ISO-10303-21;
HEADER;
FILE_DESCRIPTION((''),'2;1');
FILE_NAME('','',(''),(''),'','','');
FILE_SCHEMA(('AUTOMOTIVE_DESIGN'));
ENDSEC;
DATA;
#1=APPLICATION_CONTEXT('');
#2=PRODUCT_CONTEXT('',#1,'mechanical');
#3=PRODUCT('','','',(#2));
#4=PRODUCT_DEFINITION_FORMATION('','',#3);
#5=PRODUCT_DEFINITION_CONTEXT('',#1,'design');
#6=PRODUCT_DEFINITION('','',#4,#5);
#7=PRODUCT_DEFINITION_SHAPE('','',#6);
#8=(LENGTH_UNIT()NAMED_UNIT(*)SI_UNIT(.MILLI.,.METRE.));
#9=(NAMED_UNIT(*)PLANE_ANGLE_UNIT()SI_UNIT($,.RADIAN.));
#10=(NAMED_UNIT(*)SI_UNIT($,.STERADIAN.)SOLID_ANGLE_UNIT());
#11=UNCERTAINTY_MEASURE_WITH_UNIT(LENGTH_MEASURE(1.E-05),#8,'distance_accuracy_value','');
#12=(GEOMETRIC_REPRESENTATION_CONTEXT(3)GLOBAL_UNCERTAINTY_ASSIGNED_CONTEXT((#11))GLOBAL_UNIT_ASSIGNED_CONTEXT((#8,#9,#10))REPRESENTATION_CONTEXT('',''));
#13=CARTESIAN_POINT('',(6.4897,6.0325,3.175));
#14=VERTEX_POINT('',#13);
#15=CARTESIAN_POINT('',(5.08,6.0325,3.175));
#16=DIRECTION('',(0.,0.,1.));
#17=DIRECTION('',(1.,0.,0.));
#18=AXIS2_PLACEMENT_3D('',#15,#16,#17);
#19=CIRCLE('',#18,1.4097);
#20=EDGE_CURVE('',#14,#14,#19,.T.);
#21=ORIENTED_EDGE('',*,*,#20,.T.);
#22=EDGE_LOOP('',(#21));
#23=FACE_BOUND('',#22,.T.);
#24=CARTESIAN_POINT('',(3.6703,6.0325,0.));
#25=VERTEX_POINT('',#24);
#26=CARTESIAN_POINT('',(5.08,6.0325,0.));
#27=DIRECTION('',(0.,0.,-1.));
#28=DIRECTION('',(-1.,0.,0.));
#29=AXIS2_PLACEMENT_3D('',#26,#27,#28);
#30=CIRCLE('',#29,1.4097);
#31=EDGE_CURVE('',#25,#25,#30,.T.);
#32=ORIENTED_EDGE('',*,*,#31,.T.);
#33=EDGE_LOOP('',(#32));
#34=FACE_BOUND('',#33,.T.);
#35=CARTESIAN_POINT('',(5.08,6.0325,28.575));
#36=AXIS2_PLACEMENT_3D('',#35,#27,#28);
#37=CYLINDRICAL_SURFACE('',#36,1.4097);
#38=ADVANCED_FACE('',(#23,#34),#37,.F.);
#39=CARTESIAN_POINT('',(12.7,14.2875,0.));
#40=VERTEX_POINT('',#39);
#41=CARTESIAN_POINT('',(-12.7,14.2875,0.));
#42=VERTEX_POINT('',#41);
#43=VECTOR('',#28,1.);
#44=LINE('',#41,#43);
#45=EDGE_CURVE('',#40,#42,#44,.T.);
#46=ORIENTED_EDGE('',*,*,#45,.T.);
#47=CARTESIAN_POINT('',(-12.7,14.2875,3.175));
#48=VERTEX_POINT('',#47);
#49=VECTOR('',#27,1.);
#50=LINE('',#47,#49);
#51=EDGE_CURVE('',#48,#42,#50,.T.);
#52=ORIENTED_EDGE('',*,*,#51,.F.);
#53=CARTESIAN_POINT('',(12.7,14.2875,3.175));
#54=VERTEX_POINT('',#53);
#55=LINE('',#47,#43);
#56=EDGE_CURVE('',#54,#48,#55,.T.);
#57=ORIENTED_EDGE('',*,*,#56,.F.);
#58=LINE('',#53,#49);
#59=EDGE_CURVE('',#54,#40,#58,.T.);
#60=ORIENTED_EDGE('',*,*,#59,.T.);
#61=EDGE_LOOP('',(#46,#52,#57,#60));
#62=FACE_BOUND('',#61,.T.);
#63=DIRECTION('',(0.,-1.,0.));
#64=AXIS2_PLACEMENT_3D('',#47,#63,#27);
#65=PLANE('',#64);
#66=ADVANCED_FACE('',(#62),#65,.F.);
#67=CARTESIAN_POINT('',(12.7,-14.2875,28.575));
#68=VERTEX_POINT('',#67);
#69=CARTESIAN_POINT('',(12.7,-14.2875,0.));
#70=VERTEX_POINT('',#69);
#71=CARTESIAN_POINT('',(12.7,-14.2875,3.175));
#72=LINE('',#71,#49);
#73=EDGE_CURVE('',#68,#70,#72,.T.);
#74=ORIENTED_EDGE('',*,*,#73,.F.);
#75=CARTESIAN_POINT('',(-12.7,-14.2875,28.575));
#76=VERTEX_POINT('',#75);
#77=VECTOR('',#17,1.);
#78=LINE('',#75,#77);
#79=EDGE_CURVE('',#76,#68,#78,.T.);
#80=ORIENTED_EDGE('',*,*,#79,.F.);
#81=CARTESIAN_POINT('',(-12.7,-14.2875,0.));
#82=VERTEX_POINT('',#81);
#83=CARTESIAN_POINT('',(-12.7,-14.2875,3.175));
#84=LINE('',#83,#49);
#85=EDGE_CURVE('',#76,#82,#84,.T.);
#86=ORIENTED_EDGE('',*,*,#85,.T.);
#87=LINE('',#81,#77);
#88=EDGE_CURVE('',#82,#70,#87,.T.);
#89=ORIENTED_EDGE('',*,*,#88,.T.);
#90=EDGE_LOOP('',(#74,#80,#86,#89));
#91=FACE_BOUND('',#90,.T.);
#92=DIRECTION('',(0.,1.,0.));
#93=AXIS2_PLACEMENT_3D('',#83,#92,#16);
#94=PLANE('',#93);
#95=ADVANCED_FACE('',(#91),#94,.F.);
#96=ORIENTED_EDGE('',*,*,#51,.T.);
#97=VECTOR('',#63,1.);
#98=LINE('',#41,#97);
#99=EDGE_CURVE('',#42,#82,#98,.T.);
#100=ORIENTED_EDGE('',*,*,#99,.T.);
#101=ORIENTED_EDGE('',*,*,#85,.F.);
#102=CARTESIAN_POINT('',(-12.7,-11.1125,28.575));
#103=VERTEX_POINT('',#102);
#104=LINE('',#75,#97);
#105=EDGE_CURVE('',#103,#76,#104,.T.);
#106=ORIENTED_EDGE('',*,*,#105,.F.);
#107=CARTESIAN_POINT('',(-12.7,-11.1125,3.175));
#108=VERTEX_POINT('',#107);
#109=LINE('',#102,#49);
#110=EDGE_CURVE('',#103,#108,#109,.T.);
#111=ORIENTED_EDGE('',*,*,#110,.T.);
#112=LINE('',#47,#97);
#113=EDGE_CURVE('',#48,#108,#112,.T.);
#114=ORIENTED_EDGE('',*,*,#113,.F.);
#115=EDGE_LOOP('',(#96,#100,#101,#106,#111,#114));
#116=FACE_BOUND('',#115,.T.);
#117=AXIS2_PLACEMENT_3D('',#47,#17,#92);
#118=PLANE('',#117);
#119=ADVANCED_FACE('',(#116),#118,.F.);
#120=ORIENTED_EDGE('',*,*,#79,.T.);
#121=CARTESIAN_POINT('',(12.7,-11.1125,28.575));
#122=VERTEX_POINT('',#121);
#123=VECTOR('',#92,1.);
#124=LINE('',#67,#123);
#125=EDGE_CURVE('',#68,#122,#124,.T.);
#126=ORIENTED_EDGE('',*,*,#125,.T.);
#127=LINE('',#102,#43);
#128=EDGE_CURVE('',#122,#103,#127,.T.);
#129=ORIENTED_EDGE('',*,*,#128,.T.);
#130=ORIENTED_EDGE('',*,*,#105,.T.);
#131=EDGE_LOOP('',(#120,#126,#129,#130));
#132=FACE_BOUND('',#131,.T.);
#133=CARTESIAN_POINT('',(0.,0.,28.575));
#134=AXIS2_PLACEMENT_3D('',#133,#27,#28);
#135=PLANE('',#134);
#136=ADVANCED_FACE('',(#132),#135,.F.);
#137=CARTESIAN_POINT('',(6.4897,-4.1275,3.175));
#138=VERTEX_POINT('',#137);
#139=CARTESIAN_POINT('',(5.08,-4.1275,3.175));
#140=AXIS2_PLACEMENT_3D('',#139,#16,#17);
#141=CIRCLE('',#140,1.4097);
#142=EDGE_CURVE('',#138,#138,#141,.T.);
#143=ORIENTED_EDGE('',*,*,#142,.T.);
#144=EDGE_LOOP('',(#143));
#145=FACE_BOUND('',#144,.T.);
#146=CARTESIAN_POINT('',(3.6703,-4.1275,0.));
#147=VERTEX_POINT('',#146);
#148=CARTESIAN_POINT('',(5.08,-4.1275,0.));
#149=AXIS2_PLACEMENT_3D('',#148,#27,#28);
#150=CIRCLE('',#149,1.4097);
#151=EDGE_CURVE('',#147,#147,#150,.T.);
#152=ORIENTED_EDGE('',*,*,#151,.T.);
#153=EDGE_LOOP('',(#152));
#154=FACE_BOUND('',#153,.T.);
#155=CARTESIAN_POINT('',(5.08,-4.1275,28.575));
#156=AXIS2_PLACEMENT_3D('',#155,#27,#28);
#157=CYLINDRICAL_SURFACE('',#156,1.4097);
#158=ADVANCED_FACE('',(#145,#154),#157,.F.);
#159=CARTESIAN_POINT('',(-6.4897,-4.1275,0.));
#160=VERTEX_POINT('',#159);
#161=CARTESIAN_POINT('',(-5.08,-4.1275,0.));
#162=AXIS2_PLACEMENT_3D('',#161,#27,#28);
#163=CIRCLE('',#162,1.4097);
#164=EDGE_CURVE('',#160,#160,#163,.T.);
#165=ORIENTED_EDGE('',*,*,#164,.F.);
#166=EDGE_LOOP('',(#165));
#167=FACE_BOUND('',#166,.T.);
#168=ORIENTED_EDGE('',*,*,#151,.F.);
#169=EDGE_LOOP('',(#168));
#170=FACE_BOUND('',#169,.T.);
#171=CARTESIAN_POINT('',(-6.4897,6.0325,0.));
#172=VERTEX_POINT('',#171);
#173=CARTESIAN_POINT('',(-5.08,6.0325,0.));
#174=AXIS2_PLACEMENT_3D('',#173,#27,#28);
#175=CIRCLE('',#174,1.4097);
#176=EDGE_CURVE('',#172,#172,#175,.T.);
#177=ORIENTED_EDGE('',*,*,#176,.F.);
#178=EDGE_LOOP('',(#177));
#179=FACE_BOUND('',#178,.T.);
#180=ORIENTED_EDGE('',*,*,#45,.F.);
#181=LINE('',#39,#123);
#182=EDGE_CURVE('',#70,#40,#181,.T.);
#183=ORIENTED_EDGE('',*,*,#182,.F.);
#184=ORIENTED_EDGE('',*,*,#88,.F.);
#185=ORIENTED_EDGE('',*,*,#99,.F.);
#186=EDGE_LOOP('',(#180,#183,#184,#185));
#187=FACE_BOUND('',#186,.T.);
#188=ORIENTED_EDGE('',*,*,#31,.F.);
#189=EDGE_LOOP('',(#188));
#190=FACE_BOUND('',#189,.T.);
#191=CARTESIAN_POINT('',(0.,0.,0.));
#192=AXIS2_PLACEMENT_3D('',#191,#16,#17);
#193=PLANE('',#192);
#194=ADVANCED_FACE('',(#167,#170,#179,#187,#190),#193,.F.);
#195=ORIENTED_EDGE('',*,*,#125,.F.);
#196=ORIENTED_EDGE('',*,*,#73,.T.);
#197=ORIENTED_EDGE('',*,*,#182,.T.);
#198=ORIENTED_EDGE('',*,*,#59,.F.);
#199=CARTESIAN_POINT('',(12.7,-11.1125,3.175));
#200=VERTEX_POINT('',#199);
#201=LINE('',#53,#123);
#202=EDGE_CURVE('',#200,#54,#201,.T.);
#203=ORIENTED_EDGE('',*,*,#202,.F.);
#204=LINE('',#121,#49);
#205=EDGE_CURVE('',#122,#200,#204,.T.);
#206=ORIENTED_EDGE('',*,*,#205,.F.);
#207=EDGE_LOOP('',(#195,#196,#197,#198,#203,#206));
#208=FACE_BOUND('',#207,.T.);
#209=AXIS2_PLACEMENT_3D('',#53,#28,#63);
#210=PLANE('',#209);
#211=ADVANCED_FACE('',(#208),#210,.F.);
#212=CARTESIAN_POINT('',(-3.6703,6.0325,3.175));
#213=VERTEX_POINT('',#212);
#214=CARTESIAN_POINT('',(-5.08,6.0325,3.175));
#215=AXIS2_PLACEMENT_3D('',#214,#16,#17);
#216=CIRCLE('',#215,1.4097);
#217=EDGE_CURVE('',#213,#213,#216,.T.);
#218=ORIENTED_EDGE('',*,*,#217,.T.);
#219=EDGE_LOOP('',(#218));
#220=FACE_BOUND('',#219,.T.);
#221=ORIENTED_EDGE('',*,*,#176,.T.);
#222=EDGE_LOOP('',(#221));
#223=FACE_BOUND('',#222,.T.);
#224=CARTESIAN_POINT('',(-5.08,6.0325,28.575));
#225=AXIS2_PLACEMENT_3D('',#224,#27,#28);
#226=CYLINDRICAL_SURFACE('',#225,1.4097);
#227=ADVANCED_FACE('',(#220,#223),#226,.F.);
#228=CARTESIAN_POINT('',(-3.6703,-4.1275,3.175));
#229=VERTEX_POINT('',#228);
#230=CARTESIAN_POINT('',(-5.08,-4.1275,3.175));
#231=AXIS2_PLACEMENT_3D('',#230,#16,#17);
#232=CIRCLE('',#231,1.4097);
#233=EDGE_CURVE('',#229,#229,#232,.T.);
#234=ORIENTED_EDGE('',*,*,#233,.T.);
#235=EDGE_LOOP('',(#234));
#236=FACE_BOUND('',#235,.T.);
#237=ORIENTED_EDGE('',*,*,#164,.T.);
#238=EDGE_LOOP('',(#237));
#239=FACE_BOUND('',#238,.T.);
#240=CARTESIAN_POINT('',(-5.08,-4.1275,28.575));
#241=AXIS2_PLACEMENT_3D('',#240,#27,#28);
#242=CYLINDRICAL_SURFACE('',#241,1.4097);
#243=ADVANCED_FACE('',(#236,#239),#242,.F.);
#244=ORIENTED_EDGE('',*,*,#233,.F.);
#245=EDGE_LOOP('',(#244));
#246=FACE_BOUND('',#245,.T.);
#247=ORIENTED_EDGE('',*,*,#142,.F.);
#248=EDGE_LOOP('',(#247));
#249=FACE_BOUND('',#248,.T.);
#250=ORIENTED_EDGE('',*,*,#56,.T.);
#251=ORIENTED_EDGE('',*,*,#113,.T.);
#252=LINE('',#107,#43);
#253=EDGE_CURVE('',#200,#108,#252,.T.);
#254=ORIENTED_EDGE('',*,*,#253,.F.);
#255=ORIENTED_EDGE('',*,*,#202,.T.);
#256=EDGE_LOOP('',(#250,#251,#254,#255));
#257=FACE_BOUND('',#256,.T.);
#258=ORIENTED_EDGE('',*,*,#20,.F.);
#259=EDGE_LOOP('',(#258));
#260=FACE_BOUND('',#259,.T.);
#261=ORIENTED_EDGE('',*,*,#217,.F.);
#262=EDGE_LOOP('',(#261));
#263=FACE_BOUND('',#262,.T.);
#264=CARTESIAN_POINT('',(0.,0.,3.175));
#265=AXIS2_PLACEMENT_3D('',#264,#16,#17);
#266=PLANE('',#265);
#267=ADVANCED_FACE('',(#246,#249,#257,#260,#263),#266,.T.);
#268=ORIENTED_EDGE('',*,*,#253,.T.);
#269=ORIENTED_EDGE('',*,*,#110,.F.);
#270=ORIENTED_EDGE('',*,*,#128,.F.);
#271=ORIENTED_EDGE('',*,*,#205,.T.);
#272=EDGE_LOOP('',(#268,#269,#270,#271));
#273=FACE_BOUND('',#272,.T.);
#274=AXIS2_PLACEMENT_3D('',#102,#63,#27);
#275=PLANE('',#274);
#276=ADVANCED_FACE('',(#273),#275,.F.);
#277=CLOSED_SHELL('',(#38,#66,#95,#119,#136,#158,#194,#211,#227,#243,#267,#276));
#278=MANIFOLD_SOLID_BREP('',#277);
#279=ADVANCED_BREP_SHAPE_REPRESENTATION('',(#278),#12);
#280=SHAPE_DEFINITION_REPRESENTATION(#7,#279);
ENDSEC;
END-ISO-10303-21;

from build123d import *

# Parameters (mm, degrees)
SKETCH1_W            = 25.4
SKETCH1_H            = 28.575
BOSS_EXTRUDE1_DEPTH  = 3.175
SKETCH2_W            = 25.4
SKETCH2_H            = 3.175
BOSS_EXTRUDE2_DEPTH  = 25.4
SKETCH4_R            = 1.4097
CUT_EXTRUDE1_DEPTH   = 29.575
LPATTERN1_COUNT      = 2
LPATTERN1_PITCH      = 10.16
LPATTERN1_COUNT_DIR2 = 2
LPATTERN1_PITCH_DIR2 = 10.16


with BuildPart() as part:
    # Sketch1 → Boss-Extrude1 (new body)
    with BuildSketch(Plane.XY):
        Rectangle(SKETCH1_W, SKETCH1_H)
    extrude(amount=BOSS_EXTRUDE1_DEPTH)

    # Sketch2 → Boss-Extrude2 (add)
    with BuildSketch(Plane.XY.offset(3.175)):
        with Locations((0, -12.7)):
            Rectangle(SKETCH2_W, SKETCH2_H)
    extrude(amount=BOSS_EXTRUDE2_DEPTH)

    # Sketch4 → Cut-Extrude1 (cut, through all)
    with BuildSketch(Plane(origin=(0, 0, 0), x_dir=(-1, 0, 0), z_dir=(0, 0, -1))):
        with Locations((-5.08, 6.0325)):
            Circle(SKETCH4_R)
    cut_extrude1 = extrude(amount=-CUT_EXTRUDE1_DEPTH, mode=Mode.SUBTRACT)

    # LPattern1: Cut-Extrude1 2 × 2
    with Locations(*[(-j * LPATTERN1_PITCH_DIR2, -i * LPATTERN1_PITCH, 0) for i in range(LPATTERN1_COUNT) for j in range(LPATTERN1_COUNT_DIR2) if (i, j) != (0, 0)]):
        add(cut_extrude1, mode=Mode.SUBTRACT)


solid = part.part
